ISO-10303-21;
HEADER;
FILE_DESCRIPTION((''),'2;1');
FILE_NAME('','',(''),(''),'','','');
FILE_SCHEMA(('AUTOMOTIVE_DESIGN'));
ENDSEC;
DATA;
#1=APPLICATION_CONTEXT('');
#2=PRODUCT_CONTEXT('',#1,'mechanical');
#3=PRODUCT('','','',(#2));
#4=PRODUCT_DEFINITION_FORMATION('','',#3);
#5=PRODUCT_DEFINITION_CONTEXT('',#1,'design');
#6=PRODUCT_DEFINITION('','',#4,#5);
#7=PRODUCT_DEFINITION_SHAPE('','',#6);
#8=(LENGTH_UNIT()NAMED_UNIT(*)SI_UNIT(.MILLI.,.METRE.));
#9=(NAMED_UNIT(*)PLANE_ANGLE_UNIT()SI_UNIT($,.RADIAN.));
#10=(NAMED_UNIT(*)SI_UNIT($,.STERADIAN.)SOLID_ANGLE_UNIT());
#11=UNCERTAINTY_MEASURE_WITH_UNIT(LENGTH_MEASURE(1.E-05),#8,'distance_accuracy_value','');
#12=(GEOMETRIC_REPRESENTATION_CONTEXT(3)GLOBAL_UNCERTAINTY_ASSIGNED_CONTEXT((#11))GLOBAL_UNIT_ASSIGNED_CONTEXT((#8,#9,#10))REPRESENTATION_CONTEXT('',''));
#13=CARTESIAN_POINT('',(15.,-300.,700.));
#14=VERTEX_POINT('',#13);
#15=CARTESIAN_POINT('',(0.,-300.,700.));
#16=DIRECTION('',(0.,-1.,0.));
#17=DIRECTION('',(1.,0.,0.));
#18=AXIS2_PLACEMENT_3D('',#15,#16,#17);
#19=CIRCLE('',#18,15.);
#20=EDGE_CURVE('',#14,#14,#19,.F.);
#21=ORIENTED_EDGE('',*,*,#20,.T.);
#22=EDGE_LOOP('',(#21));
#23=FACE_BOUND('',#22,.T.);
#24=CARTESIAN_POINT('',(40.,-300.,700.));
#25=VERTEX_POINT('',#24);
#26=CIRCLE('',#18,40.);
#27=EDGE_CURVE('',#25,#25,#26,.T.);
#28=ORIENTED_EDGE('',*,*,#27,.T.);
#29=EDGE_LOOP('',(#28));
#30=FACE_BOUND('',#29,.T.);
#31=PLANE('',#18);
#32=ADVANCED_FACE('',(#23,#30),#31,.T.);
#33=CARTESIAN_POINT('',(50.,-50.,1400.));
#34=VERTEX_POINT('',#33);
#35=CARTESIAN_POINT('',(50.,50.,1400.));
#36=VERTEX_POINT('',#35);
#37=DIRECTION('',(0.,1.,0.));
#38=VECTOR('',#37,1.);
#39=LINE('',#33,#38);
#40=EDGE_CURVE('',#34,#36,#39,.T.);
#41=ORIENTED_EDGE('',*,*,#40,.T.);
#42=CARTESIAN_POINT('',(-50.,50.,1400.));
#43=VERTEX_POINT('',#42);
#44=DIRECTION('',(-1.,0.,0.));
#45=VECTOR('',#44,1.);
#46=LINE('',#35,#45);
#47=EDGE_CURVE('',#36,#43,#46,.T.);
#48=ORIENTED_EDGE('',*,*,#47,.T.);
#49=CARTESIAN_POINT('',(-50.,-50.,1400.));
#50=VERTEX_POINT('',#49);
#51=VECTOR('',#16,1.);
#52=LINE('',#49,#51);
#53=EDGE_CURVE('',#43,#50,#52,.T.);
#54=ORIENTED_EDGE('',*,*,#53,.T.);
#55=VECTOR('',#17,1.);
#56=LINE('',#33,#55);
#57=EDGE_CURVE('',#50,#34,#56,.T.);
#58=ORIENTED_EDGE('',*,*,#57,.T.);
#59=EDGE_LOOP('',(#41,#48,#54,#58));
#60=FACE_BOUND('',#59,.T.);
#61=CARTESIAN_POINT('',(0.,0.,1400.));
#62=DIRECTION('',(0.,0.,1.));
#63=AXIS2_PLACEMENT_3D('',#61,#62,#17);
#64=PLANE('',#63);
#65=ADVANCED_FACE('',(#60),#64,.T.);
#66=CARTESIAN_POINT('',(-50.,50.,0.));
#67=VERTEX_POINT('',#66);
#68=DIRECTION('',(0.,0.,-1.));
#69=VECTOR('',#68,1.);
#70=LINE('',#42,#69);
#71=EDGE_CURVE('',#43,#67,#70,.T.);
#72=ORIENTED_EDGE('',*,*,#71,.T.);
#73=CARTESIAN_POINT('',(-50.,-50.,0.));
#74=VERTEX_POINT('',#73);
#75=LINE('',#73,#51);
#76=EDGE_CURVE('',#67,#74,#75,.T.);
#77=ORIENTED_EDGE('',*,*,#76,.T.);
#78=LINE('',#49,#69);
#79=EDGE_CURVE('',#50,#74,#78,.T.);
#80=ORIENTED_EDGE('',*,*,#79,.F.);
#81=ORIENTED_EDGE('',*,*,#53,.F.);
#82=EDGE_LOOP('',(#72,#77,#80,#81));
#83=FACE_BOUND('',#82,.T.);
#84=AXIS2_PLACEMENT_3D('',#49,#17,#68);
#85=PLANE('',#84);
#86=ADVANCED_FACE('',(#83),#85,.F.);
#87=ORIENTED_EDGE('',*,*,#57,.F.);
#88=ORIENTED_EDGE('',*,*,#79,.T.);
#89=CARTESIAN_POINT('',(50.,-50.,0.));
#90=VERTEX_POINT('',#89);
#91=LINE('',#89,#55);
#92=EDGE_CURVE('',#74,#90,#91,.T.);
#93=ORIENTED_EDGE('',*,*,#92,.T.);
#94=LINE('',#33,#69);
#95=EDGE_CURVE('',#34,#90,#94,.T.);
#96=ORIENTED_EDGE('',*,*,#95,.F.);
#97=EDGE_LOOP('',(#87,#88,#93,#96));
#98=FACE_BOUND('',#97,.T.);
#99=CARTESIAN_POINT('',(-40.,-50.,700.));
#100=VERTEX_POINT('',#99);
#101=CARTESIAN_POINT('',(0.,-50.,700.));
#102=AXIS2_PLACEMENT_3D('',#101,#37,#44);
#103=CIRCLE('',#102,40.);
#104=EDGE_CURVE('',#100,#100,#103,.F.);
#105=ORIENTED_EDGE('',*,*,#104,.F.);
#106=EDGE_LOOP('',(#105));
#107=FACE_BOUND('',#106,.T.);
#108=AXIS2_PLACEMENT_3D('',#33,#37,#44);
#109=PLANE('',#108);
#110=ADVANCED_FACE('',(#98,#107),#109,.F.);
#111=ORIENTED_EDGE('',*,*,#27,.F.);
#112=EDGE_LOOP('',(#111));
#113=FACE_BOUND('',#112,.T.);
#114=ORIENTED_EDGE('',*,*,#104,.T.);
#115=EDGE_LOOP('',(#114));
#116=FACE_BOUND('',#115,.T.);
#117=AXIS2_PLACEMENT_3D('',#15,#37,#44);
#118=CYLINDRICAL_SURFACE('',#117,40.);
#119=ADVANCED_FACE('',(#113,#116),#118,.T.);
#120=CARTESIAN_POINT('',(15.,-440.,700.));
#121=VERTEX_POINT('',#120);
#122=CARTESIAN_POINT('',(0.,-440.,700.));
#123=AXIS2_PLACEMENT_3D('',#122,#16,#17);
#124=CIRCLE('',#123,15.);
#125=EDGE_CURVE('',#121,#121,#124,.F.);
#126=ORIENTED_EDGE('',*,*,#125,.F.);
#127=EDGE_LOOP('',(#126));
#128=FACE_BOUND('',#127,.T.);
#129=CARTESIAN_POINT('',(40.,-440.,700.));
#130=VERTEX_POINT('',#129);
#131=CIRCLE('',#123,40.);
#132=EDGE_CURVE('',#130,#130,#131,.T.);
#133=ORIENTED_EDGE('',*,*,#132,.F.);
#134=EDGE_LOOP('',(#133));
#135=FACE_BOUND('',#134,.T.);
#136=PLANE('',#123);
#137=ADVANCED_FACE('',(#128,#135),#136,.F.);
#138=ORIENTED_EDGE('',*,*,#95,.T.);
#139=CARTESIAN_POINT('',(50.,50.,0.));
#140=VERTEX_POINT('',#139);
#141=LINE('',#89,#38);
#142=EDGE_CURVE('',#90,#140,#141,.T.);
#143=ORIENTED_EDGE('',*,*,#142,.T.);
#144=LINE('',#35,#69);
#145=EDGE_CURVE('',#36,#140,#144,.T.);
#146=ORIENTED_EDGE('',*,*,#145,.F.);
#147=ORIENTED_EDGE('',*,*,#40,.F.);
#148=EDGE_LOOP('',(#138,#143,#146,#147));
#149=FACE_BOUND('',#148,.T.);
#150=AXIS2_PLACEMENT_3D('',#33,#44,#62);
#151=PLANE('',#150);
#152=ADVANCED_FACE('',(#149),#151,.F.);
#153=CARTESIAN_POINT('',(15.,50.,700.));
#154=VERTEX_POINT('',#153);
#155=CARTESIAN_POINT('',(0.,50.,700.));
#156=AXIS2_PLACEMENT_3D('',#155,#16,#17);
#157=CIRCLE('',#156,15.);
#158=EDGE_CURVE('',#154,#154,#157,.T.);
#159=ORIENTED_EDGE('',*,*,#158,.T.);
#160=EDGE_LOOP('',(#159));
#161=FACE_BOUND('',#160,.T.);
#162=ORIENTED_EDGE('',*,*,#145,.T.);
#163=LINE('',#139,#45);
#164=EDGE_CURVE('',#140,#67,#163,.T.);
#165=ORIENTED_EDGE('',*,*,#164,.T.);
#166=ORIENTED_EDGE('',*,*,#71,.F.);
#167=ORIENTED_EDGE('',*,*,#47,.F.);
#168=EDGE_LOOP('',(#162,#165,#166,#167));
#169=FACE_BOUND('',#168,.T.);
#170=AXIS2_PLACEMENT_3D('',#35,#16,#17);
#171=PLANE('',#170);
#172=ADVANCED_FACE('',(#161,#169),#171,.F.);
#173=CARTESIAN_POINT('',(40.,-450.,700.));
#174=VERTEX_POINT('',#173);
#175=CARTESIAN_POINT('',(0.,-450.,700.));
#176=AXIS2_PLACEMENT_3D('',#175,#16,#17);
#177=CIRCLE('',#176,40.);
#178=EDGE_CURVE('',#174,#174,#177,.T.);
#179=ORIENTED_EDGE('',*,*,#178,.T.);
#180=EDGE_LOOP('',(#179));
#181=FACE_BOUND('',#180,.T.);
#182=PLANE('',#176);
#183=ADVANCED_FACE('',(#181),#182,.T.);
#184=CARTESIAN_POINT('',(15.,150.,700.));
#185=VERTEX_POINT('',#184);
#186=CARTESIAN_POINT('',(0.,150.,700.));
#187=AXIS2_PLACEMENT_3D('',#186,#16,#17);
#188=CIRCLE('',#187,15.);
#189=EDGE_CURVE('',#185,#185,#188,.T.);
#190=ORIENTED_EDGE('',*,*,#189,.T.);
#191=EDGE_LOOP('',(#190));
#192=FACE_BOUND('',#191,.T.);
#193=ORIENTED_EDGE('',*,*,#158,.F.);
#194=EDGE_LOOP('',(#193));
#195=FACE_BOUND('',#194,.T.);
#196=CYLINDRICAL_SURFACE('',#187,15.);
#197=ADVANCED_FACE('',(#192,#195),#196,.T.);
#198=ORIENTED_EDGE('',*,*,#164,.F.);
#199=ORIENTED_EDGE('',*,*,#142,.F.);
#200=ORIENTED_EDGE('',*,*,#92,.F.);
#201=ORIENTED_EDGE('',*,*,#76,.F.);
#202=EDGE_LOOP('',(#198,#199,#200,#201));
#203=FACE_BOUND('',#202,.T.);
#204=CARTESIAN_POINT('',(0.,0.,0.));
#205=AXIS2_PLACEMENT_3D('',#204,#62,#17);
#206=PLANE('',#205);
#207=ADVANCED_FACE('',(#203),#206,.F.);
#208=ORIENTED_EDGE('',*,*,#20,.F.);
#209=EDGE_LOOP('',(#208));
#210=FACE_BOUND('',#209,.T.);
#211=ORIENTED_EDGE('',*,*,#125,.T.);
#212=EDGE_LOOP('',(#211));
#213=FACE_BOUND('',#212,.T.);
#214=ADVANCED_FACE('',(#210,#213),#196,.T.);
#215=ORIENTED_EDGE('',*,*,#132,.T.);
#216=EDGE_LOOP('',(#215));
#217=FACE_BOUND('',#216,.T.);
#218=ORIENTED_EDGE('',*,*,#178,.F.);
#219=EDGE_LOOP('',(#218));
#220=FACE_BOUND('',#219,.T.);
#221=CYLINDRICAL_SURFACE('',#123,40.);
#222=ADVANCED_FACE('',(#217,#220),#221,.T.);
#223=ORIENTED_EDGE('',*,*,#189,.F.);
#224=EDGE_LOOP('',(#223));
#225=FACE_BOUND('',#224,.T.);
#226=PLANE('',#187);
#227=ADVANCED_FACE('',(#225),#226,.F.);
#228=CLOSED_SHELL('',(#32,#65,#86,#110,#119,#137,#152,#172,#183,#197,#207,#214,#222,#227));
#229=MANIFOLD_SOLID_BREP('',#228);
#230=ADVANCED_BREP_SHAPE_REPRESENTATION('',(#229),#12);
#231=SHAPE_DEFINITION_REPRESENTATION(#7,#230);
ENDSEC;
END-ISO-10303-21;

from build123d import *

# Parameters (mm, degrees)
SKETCH1_W                = 100
SKETCH1_H                = 100
BOSS_EXTRUDE1_DEPTH      = 1400
BOSS_EXTRUDE3_DEPTH      = 400
BOSS_EXTRUDE3_DEPTH_BACK = 200
SKETCH3_R                = 15
SKETCH4_R                = 40
BOSS_EXTRUDE4_DEPTH      = 10
BOSS_EXTRUDE5_START      = 250
SKETCH5_R                = 40
BOSS_EXTRUDE5_DEPTH      = 250


with BuildPart() as part:
    # Sketch1 → Boss-Extrude1 (new body)
    with BuildSketch(Plane.XY):
        Rectangle(SKETCH1_W, SKETCH1_H)
    extrude(amount=BOSS_EXTRUDE1_DEPTH)

    # Sketch3 → Boss-Extrude3 (add, two sides: drawn at the far end of the back side and taken through both)
    with BuildSketch(Plane.XZ.offset(50).offset(-BOSS_EXTRUDE3_DEPTH_BACK)):
        with Locations((0, 700)):
            Circle(SKETCH3_R)
    extrude(amount=BOSS_EXTRUDE3_DEPTH + BOSS_EXTRUDE3_DEPTH_BACK)

    # Sketch4 → Boss-Extrude4 (add)
    with BuildSketch(Plane.XZ.offset(450)):
        with Locations((0, 700)):
            Circle(SKETCH4_R)
    extrude(amount=-BOSS_EXTRUDE4_DEPTH)

    # Sketch5 → Boss-Extrude5 (add)
    with BuildSketch(Plane.XZ.offset(50).offset(BOSS_EXTRUDE5_START)):
        with Locations(Location((0, 700, 0), (0, 0, 180))):
            Circle(SKETCH5_R)
    extrude(amount=-BOSS_EXTRUDE5_DEPTH)


solid = part.part
